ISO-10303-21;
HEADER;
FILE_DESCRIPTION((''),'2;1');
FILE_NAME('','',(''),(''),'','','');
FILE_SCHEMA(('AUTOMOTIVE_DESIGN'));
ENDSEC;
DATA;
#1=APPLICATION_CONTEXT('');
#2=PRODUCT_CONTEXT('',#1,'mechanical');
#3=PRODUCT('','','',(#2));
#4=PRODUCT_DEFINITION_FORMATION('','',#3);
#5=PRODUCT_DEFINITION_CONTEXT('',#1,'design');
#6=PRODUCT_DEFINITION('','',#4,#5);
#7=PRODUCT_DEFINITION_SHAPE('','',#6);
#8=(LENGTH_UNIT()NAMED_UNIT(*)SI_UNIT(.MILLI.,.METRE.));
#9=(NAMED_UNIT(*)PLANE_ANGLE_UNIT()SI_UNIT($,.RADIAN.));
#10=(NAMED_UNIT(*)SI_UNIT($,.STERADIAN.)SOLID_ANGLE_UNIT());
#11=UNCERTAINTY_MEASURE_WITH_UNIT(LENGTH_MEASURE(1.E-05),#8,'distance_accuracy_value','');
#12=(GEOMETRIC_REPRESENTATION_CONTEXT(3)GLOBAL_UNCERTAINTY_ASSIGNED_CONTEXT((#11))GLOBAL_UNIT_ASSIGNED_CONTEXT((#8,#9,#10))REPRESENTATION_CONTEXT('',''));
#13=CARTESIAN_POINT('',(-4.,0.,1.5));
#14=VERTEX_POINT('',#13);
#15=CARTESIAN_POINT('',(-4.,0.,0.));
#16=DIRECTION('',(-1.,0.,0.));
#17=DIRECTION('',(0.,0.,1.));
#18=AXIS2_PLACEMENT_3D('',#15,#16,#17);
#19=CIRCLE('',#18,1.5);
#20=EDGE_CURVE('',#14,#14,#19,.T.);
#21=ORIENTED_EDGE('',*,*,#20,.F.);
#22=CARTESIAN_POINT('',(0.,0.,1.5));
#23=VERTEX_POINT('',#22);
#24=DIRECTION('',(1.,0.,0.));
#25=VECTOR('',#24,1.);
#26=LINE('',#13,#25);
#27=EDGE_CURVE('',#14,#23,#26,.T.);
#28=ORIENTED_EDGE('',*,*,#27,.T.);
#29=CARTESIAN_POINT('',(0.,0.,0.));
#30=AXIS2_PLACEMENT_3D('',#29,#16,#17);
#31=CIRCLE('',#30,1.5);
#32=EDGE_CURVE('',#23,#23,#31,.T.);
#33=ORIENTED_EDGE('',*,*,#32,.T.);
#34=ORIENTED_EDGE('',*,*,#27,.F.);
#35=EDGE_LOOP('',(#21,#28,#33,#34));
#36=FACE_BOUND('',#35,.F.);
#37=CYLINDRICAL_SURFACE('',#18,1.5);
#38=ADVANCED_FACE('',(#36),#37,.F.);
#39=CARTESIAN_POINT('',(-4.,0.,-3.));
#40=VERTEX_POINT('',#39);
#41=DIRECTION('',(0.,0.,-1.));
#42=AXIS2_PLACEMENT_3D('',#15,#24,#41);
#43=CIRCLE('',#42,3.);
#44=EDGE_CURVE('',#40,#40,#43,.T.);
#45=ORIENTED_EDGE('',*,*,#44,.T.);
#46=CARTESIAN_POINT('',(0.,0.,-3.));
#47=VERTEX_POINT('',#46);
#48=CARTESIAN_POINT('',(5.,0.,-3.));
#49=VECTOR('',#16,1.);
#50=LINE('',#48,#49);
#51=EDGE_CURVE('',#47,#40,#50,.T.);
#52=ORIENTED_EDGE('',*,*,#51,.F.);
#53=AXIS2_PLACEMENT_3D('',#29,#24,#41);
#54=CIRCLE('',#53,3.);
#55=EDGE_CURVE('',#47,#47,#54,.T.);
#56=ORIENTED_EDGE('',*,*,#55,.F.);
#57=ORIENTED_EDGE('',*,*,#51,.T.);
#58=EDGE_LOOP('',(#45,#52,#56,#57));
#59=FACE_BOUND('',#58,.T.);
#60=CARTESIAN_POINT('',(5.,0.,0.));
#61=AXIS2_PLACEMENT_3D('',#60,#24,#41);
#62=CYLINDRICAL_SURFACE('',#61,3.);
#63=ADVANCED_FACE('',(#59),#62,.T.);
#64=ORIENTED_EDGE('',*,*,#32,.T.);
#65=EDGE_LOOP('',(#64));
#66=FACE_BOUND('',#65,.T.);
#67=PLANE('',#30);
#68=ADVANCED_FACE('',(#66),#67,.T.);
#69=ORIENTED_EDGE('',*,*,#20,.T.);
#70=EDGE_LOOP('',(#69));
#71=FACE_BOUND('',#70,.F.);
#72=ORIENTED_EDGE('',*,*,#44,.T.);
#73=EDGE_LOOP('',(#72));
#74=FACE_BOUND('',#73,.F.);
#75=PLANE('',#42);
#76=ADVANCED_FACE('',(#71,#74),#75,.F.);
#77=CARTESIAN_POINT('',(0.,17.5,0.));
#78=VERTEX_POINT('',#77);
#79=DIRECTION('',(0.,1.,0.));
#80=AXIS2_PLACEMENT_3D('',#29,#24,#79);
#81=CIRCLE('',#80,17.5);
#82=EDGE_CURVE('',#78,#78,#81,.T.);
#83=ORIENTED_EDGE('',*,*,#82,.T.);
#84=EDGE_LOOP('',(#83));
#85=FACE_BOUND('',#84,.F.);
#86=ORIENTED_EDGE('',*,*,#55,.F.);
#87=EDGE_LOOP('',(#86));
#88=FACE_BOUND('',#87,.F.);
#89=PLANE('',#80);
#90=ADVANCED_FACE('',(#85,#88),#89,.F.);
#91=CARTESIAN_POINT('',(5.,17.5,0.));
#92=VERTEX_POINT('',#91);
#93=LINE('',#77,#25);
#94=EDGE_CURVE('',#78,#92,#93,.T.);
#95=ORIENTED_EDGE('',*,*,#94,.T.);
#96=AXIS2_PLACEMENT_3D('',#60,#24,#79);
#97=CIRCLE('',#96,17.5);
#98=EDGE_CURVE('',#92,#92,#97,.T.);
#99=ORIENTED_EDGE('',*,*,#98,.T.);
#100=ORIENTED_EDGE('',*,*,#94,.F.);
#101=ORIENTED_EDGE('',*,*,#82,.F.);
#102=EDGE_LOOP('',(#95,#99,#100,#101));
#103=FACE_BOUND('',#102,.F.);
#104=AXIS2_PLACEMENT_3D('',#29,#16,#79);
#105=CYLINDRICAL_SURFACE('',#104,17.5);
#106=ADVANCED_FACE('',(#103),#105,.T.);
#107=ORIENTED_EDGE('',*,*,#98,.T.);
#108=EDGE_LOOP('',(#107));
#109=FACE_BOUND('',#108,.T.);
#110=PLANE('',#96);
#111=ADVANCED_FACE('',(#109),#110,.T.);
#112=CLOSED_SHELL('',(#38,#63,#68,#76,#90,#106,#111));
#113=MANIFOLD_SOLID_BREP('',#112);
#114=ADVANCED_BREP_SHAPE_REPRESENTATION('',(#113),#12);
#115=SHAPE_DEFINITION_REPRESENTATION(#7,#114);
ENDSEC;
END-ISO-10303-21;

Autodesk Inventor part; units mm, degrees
ref_plane "YZ Plane" through (0, 0, 0) normal (1, 0, 0) x (0, 1, 0)
ref_plane "XZ Plane" through (0, 0, 0) normal (0, 1, 0) x (-1, 0, 0)
ref_plane "XY Plane" through (0, 0, 0) normal (0, 0, 1) x (1, 0, 0)
sketch "Sketch1" plane through (0, 0, 0) normal (1, 0, 0) x (0, 1, 0)
  circle A0 centre (0, 0) radius 17.5
  dimension "d0" = 35
extrude "Extrusion1" add sketch "Sketch1" along normal blind 5
sketch "Sketch2" plane through (5, 0, 0) normal (1, 0, 0) x (0, 0, -1)
  circle A0 centre (0, 0) radius 3
  dimension "d3" = 6
extrude "Extrusion2" add sketch "Sketch2" against normal blind 9
sketch "Sketch3" plane through (-4, 0, 0) normal (-1, 0, 0) x (0, 0, 1)
  circle A0 centre (0, 0) radius 1.5
  dimension "d6" = 3
extrude "Extrusion3" cut sketch "Sketch3" against normal blind 4
properties part number "Front Wheel" material "PC/ABS Plastic"
